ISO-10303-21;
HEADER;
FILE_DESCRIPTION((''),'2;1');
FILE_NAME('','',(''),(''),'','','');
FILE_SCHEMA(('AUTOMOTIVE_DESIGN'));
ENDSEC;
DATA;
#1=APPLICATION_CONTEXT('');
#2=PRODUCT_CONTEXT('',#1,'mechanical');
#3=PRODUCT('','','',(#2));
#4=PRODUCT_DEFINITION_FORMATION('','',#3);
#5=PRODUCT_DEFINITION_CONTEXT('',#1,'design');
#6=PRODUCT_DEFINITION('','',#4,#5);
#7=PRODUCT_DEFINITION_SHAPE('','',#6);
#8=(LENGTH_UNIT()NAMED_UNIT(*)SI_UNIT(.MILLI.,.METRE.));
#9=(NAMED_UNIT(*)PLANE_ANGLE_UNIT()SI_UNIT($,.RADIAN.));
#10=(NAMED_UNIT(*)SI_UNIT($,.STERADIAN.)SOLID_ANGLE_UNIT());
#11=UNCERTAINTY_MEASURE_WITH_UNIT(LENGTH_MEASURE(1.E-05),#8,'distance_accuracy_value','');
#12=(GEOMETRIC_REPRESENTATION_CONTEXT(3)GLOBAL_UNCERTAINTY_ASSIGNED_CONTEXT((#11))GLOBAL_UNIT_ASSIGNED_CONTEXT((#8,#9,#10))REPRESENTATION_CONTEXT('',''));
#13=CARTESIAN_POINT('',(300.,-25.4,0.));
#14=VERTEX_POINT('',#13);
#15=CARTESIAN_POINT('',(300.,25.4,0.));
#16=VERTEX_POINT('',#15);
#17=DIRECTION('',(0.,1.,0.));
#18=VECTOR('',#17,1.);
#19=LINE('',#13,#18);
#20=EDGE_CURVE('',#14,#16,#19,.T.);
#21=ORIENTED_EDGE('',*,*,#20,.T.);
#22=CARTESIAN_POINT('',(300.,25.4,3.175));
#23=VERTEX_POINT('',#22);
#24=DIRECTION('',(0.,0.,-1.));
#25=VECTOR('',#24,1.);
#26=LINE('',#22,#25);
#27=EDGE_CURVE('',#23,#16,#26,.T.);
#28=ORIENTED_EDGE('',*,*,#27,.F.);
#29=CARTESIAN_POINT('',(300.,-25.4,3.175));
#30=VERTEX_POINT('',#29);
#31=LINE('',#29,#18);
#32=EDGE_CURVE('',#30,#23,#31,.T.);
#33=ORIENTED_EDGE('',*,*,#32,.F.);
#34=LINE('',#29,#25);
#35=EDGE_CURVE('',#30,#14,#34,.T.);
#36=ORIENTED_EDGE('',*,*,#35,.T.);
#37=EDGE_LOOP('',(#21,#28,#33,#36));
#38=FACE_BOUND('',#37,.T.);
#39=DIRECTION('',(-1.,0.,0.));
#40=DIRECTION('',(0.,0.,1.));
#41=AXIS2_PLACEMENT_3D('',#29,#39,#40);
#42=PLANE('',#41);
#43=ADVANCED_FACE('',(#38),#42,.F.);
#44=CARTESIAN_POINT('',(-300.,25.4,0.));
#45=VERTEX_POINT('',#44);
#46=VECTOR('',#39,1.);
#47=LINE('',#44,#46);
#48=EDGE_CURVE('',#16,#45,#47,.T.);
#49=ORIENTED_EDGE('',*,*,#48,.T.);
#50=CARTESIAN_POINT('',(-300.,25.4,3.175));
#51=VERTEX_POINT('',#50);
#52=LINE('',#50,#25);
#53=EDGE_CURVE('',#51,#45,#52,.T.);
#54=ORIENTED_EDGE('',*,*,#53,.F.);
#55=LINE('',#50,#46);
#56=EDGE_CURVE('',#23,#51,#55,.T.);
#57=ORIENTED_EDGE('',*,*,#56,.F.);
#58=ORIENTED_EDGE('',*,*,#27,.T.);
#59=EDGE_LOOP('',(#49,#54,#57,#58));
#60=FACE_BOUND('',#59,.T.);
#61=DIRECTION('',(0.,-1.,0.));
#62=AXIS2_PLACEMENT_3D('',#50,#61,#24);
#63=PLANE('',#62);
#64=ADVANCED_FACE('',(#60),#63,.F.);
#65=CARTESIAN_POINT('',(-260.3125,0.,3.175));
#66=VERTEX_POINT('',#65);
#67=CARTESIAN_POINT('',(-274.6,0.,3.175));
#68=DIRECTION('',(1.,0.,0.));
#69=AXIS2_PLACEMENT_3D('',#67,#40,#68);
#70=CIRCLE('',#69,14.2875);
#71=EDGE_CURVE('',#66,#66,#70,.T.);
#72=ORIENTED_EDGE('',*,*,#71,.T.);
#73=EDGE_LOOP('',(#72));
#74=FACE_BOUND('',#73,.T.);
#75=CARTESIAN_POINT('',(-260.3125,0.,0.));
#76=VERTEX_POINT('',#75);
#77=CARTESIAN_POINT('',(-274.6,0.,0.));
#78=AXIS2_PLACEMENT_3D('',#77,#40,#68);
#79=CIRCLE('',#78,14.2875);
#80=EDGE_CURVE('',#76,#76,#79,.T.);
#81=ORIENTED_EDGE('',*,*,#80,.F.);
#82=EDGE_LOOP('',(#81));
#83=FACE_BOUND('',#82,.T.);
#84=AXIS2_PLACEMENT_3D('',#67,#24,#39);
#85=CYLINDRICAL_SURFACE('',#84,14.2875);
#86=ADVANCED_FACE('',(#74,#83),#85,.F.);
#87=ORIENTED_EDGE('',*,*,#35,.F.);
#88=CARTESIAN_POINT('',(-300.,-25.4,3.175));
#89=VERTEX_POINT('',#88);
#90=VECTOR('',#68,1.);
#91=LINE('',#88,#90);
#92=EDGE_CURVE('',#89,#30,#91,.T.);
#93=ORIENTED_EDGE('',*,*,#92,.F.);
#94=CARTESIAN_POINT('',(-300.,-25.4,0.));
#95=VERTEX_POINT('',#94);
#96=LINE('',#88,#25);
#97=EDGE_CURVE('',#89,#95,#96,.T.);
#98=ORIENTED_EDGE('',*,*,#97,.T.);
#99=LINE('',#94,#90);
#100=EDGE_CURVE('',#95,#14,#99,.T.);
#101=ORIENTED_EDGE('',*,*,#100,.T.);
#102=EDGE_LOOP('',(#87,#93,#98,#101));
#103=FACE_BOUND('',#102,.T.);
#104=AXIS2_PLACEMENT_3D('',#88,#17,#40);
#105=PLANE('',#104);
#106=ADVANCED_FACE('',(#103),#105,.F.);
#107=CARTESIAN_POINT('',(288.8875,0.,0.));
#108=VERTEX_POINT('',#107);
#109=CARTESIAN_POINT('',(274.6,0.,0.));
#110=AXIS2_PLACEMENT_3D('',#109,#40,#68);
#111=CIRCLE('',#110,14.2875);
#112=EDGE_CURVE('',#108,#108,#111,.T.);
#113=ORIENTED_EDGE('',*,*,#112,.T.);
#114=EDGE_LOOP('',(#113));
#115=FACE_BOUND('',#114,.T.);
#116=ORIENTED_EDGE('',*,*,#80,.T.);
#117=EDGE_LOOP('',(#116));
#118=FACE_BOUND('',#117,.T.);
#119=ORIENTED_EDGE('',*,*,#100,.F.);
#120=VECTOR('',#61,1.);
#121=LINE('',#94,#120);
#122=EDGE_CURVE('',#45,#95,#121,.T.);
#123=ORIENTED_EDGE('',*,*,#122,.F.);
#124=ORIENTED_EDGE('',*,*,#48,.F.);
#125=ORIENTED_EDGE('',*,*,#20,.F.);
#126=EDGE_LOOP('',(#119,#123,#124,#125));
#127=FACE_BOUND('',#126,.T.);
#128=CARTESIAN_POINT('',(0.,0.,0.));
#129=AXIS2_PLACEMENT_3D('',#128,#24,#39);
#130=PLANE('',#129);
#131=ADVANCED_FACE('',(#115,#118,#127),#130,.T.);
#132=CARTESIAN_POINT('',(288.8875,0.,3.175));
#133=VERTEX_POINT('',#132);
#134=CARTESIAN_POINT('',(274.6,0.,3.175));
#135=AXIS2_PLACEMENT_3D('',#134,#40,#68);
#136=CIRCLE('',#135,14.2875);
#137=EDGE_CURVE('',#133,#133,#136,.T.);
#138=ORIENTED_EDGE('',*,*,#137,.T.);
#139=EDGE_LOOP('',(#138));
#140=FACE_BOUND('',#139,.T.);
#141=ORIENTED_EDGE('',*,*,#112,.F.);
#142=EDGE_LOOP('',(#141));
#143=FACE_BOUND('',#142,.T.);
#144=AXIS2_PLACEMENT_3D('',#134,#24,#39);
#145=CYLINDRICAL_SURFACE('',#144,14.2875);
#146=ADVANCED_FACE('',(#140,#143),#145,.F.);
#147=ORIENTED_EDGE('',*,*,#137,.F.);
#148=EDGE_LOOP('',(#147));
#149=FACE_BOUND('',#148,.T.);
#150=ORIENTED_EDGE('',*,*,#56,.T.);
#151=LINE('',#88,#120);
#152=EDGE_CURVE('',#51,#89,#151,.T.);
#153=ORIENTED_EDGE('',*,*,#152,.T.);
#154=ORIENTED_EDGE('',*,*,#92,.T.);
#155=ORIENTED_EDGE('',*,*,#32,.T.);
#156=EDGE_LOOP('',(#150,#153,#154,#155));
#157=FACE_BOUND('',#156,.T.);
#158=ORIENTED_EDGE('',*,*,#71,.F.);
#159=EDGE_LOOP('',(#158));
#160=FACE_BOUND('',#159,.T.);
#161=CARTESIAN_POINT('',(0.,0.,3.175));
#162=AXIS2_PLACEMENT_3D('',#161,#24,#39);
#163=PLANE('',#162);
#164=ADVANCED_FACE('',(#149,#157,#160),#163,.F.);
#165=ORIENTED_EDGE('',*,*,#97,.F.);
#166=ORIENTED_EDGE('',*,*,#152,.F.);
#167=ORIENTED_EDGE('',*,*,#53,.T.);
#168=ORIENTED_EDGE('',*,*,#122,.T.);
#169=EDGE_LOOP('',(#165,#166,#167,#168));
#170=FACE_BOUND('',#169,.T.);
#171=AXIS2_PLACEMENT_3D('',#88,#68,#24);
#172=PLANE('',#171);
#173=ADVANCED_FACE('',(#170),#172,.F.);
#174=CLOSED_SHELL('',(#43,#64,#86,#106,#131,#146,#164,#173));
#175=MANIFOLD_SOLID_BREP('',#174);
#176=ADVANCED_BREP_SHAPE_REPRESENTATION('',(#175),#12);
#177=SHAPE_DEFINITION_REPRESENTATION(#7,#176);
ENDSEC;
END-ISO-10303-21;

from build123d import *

# Parameters (mm, degrees)
SKETCH1_W           = 600
SKETCH1_H           = 50.8
SKETCH1_R           = 14.2875
BOSS_EXTRUDE1_DEPTH = 3.175


with BuildPart() as part:
    # Sketch1 → Boss-Extrude1 (new body)
    with BuildSketch(Plane.XY):
        Rectangle(SKETCH1_W, SKETCH1_H)
        with Locations((-274.6, 0)):
            Circle(SKETCH1_R, mode=Mode.SUBTRACT)
        with Locations((274.6, 0)):
            Circle(SKETCH1_R, mode=Mode.SUBTRACT)
    extrude(amount=BOSS_EXTRUDE1_DEPTH)


solid = part.part
